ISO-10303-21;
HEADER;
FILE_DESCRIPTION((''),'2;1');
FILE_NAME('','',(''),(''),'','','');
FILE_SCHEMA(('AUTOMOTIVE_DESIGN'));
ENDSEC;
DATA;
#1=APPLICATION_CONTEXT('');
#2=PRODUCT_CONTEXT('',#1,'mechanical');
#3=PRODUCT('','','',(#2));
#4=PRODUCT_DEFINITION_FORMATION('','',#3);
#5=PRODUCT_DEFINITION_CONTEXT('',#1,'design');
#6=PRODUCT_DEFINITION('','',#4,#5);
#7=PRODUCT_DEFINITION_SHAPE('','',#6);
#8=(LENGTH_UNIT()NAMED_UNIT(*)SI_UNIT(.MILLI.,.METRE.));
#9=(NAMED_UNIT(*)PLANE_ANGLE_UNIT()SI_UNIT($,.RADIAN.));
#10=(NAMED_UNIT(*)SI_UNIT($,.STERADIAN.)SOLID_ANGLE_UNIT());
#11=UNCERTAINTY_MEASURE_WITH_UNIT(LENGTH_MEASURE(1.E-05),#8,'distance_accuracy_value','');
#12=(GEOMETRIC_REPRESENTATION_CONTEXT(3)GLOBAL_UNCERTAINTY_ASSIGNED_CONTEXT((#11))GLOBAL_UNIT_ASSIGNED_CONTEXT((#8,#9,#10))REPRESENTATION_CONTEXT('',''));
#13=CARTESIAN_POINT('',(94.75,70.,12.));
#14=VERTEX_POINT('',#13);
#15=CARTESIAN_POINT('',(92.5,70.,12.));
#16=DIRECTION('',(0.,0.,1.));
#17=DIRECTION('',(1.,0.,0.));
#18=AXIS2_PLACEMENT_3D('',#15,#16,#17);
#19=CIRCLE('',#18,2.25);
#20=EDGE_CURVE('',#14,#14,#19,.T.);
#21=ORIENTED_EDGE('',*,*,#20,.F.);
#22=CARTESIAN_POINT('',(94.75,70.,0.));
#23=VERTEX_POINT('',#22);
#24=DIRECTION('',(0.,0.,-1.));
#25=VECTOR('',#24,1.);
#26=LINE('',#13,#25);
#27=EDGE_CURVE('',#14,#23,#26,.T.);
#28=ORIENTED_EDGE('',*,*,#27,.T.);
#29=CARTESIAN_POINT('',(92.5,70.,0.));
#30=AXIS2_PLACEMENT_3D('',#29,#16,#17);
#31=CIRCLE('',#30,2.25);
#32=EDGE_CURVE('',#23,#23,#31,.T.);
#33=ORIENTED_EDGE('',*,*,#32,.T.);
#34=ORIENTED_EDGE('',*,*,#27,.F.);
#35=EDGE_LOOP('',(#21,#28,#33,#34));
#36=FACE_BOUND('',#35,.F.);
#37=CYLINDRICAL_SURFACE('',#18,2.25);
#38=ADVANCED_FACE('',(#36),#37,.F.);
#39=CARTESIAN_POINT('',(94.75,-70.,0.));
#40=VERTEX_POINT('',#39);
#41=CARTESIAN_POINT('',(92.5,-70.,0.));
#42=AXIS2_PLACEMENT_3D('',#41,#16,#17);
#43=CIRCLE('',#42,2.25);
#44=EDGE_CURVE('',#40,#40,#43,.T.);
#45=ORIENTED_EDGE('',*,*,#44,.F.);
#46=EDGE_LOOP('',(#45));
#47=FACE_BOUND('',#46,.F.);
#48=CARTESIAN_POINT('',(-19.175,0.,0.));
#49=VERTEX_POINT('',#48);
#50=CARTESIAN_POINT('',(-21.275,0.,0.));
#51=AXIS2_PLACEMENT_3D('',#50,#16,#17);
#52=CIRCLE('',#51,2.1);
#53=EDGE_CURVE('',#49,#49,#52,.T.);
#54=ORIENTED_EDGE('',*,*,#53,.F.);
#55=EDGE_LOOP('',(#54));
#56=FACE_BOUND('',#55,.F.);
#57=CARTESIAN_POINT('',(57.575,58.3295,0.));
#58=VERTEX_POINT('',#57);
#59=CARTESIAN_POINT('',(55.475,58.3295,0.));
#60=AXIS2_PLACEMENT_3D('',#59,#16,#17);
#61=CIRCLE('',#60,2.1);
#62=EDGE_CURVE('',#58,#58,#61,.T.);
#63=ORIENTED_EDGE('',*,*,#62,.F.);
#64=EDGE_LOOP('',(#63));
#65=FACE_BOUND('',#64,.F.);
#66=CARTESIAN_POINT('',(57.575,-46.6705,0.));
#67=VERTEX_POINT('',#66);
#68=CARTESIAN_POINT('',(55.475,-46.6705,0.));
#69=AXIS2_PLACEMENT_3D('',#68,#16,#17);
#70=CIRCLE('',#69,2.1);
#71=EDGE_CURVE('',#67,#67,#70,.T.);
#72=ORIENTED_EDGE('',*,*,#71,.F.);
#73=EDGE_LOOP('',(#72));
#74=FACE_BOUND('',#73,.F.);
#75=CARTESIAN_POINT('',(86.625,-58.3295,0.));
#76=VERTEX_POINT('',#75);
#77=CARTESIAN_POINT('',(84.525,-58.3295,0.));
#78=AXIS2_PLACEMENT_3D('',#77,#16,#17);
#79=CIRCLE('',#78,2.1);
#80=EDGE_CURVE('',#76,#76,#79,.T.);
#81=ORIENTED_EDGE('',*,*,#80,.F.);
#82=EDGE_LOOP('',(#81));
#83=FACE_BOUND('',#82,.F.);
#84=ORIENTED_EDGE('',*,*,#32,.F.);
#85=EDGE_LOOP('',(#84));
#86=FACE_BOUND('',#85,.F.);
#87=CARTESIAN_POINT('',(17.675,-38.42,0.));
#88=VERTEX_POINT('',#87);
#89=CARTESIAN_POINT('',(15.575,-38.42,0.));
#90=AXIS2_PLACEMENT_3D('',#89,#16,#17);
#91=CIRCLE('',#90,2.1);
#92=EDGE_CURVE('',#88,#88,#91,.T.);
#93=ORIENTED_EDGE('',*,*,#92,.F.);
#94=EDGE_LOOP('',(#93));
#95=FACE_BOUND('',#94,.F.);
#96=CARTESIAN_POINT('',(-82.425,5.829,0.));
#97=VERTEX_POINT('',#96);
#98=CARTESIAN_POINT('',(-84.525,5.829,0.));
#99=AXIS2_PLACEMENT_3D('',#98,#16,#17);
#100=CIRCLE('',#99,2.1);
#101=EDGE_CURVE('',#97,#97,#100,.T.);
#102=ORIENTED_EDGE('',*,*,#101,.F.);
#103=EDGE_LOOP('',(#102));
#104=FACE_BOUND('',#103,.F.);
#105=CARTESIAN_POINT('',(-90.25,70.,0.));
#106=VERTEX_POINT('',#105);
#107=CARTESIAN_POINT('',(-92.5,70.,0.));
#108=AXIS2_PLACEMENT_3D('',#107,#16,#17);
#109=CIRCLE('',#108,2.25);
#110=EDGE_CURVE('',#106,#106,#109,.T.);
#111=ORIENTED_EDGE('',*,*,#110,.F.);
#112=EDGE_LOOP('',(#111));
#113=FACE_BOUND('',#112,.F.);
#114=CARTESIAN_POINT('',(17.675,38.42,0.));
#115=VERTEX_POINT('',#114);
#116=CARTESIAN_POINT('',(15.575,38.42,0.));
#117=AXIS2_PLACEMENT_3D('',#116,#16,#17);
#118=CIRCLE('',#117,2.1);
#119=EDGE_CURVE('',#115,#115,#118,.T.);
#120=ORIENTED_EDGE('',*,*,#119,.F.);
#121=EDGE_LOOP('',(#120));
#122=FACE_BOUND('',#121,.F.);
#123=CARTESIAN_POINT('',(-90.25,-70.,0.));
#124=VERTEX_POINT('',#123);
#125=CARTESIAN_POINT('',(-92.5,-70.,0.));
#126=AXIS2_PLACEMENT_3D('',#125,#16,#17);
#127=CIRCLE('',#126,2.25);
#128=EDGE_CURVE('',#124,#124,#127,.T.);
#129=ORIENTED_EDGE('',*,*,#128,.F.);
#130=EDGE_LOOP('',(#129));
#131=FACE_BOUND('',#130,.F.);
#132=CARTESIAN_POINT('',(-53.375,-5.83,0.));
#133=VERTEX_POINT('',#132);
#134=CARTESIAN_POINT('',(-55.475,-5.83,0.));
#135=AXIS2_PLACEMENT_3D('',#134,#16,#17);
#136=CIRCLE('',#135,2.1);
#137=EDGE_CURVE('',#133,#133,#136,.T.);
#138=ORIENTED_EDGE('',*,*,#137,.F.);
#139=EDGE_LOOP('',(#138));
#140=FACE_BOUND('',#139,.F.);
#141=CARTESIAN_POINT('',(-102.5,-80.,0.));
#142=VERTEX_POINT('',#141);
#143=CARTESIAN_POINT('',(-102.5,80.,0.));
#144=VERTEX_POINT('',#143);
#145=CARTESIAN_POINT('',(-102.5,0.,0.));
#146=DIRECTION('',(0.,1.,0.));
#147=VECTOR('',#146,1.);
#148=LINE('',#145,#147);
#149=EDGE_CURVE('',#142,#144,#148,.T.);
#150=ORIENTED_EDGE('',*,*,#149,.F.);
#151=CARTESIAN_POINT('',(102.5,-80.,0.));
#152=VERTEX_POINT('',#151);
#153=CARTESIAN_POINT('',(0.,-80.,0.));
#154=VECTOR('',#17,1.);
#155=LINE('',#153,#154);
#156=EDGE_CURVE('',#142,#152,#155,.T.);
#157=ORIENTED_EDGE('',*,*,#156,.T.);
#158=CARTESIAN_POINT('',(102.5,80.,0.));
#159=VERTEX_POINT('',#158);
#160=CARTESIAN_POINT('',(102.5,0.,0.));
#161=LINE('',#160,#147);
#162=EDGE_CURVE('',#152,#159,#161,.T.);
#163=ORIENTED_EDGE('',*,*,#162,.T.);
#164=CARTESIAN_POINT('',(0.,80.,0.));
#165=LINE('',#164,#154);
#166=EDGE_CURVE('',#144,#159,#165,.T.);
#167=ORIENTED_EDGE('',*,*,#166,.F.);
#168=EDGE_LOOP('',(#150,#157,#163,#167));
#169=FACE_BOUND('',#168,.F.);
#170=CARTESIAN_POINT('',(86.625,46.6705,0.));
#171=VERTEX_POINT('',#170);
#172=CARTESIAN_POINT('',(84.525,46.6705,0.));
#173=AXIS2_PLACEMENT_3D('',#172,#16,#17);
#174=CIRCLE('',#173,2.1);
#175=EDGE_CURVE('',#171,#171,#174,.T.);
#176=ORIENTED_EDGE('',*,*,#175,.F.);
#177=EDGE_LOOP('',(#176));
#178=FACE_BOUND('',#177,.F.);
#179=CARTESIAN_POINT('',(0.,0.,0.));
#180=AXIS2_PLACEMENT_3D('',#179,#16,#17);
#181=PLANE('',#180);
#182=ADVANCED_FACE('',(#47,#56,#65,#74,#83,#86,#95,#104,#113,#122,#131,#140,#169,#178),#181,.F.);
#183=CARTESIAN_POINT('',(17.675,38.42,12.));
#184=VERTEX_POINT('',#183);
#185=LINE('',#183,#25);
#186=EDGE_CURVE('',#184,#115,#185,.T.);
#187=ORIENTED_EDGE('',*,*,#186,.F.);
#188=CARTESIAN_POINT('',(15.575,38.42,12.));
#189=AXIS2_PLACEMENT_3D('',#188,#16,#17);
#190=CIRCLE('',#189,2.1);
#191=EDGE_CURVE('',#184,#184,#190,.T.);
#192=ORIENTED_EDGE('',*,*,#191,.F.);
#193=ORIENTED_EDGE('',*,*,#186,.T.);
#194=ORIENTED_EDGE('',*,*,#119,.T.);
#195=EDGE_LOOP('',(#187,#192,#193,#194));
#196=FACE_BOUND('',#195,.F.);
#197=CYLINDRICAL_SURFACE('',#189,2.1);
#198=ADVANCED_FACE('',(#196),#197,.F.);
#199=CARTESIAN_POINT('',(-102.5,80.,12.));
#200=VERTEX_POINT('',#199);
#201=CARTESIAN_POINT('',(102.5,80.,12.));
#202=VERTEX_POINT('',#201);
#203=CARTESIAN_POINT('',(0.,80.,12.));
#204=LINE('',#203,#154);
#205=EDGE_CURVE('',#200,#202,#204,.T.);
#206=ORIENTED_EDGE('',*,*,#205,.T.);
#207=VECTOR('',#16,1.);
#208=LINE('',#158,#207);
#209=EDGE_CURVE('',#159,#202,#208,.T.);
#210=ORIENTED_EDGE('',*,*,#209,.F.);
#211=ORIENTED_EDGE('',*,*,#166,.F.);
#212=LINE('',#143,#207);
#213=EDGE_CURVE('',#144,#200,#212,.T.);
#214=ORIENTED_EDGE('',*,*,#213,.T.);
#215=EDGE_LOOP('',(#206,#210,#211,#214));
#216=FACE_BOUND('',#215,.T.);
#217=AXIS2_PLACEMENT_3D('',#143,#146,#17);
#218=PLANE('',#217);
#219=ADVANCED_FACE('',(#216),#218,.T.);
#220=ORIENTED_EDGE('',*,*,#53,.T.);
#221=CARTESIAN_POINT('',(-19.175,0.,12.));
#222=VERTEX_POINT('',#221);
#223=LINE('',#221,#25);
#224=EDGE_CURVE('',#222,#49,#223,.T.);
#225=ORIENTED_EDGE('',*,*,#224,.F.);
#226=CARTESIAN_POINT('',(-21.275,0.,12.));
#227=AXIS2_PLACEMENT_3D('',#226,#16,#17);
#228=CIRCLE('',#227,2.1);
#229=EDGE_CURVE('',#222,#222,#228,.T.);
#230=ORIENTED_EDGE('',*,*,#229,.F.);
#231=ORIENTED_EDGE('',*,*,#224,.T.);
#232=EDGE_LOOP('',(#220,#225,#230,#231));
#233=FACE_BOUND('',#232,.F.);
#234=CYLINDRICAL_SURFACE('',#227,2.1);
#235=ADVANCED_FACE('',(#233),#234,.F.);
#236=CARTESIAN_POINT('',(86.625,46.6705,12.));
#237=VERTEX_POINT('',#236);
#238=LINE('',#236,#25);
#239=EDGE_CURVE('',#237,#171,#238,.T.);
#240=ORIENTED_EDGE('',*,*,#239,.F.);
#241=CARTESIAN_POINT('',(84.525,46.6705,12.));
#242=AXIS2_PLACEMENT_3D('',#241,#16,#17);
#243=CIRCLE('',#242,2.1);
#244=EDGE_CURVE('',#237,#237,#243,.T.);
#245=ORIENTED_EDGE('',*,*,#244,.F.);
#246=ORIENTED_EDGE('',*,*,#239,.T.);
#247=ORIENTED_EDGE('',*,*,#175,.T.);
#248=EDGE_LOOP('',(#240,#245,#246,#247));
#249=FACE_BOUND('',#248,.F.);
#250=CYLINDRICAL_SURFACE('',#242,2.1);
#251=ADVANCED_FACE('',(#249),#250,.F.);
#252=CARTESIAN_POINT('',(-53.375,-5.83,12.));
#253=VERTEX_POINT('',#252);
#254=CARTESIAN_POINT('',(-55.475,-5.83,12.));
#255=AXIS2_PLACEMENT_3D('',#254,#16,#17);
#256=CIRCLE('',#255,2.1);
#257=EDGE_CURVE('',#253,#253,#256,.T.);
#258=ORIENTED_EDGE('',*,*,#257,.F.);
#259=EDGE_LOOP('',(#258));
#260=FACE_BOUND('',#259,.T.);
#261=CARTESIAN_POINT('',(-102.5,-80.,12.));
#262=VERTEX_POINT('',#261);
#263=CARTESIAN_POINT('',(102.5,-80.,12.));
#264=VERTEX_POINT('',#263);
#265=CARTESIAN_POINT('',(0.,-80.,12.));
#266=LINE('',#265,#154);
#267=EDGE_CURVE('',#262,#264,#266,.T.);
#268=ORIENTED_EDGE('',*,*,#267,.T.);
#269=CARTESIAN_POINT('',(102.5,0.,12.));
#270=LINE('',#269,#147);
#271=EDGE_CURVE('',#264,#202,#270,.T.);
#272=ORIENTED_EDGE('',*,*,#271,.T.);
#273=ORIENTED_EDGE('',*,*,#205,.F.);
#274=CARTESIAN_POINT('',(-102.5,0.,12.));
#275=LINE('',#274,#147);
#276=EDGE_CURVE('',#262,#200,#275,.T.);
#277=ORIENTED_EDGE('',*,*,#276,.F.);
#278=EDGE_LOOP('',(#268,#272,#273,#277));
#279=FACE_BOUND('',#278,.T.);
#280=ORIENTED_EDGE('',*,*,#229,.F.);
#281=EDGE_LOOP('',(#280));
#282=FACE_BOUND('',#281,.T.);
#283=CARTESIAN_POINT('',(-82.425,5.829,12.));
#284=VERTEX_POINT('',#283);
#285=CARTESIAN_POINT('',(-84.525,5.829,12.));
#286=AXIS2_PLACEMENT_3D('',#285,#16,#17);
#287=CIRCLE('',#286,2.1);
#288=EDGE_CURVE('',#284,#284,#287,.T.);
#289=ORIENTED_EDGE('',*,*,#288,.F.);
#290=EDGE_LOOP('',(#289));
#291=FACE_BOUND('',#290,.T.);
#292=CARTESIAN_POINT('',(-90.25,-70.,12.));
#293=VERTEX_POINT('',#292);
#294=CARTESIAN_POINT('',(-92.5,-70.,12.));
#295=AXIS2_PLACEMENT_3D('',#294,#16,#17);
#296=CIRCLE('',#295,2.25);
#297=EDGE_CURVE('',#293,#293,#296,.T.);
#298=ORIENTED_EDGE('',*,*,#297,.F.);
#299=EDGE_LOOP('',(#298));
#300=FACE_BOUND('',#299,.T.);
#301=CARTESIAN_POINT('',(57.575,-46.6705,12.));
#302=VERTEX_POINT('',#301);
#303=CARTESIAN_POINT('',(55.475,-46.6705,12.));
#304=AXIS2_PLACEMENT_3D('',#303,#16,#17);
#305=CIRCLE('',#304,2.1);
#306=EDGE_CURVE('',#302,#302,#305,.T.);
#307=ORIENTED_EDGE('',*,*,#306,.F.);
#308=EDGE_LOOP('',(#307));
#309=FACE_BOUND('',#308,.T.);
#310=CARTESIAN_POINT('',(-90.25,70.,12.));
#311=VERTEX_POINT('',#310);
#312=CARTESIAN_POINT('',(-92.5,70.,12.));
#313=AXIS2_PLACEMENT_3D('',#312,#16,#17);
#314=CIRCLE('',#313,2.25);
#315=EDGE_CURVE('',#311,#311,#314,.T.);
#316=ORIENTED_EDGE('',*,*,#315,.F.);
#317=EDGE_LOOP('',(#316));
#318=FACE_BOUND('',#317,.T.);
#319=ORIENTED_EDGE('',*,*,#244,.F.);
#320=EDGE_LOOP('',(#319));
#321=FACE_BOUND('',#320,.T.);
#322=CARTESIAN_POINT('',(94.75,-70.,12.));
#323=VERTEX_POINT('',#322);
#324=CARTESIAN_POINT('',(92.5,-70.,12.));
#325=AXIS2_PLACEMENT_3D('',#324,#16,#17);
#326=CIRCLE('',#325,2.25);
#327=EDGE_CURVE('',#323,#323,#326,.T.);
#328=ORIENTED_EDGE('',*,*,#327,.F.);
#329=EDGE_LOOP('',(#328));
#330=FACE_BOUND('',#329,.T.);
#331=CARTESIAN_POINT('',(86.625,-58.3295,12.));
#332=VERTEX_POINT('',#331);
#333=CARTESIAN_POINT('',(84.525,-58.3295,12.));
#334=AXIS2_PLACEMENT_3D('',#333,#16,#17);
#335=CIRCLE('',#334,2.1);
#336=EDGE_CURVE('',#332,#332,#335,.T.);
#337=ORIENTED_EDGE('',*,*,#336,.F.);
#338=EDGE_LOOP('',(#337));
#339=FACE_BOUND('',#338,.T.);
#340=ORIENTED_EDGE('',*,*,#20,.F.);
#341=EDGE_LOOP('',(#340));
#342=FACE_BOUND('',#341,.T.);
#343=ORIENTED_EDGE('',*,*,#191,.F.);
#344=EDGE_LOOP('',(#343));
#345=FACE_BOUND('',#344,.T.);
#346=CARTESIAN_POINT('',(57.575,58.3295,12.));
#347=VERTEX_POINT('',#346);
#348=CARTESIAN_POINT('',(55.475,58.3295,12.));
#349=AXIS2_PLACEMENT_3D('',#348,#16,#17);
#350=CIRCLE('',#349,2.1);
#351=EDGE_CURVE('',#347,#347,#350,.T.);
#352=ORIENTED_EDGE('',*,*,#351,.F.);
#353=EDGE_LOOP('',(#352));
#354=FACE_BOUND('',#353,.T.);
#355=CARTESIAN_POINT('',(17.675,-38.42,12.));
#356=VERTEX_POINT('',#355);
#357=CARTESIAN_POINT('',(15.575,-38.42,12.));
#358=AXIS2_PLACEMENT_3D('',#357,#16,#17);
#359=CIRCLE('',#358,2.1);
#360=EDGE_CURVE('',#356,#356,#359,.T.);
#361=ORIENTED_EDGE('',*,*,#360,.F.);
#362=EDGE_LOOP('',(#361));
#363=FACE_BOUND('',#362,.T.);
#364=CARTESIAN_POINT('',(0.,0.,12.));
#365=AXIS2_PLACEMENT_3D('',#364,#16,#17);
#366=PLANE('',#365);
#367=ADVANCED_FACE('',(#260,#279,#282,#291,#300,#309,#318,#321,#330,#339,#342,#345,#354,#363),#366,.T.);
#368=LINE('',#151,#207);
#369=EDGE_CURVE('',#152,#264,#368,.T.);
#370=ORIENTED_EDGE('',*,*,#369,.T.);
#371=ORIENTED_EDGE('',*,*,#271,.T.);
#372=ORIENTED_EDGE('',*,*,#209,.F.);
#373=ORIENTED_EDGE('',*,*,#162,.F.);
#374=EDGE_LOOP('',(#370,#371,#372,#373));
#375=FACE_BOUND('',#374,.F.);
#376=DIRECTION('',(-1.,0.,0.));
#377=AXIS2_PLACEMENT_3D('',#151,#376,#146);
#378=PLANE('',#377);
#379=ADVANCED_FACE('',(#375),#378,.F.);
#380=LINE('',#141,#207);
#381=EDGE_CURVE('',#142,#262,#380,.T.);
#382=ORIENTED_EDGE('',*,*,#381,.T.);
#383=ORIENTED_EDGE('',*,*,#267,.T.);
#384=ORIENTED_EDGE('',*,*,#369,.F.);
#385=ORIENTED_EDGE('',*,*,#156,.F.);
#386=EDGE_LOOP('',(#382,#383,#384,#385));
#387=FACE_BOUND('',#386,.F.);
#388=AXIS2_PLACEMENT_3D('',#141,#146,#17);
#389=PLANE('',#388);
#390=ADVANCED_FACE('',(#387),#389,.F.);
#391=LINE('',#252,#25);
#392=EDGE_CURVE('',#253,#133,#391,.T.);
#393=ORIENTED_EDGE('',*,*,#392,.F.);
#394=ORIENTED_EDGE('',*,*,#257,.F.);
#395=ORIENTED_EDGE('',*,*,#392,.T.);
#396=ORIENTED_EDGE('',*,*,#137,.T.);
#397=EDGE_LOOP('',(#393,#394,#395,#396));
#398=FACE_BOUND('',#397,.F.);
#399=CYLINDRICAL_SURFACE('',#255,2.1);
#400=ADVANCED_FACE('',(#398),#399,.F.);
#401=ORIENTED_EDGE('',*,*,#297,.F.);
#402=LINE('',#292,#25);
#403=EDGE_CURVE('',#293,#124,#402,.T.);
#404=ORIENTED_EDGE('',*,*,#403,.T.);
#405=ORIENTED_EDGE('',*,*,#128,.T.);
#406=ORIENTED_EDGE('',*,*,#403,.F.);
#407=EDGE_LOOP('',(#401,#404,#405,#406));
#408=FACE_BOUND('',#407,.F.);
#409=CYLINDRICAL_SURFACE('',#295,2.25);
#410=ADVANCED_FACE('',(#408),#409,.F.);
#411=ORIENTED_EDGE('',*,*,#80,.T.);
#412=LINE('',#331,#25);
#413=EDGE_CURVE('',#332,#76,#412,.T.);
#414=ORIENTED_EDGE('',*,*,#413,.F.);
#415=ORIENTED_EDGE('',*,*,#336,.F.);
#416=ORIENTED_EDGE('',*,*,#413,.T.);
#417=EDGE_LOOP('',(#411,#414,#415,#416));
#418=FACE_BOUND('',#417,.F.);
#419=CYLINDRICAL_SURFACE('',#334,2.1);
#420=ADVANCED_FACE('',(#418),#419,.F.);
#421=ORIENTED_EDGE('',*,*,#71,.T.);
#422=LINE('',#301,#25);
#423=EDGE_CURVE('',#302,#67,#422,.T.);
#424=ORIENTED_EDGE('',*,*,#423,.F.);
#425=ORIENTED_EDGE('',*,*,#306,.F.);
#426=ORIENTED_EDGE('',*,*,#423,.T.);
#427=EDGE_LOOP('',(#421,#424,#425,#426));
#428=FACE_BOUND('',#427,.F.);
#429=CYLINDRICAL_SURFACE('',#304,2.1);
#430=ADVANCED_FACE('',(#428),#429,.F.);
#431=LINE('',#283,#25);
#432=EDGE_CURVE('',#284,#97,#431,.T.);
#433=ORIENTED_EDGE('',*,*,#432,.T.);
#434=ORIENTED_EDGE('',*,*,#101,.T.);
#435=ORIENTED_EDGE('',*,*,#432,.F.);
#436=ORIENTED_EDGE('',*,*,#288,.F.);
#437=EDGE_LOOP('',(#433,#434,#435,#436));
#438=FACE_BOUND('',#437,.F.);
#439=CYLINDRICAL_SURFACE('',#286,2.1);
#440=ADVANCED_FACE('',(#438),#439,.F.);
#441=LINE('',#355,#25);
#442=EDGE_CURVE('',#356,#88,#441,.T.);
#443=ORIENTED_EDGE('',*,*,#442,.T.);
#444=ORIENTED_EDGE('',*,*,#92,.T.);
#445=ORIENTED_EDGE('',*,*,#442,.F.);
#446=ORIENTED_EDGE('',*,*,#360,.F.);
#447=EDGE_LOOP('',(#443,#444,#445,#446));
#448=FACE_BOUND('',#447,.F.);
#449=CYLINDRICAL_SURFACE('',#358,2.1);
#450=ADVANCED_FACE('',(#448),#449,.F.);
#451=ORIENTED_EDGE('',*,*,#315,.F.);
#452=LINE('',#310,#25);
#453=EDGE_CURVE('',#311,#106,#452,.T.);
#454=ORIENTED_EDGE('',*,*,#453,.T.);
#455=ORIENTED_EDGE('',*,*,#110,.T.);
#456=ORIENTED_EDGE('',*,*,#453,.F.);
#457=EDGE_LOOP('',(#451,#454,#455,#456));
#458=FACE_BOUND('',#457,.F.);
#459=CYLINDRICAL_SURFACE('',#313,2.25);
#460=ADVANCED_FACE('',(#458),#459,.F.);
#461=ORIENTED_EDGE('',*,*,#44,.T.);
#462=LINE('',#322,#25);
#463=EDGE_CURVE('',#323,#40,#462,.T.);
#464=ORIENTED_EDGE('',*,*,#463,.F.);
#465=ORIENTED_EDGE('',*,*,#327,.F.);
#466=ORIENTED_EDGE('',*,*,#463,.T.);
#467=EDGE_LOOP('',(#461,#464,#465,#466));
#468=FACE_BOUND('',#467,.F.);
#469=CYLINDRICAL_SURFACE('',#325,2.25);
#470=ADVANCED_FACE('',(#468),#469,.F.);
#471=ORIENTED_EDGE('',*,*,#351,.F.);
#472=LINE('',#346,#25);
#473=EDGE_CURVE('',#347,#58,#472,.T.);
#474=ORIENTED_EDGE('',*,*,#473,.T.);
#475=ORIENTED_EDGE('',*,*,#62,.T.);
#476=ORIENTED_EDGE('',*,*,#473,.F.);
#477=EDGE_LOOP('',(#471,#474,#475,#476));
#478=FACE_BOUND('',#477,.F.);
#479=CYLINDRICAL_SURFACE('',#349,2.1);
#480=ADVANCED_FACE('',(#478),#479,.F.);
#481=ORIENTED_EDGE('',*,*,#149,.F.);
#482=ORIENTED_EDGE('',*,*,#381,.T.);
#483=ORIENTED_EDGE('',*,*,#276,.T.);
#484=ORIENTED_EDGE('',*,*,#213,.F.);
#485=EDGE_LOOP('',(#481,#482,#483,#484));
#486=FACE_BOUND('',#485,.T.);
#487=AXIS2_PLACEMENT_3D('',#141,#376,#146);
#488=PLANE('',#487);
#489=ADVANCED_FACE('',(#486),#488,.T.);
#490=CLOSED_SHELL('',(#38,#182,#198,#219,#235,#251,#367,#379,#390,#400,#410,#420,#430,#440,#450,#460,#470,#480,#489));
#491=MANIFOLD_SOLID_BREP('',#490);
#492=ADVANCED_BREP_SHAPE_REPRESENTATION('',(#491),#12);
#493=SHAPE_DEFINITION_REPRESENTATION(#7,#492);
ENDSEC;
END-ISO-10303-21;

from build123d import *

# Parameters (mm, degrees)
SKETCH_W        = 205
SKETCH_H        = 160
PAD_DEPTH       = 12
SKETCH001_R     = 2.1
POCKET_DEPTH    = 12.001
SKETCH002_R     = 2.25
POCKET001_DEPTH = 12.001


with BuildPart() as part:
    # Sketch → Pad (new body)
    with BuildSketch(Plane.XY):
        Rectangle(SKETCH_W, SKETCH_H)
    extrude(amount=PAD_DEPTH)

    # Sketch001 → Pocket (cut, through all)
    with BuildSketch(Plane.XY.offset(12)):
        with Locations((-84.525, 5.829)):
            Circle(SKETCH001_R)
        with Locations((-55.475, -5.83)):
            Circle(SKETCH001_R)
        with Locations((-21.275, 0)):
            Circle(SKETCH001_R)
        with Locations((15.575, 38.42)):
            Circle(SKETCH001_R)
        with Locations((15.575, -38.42)):
            Circle(SKETCH001_R)
        with Locations((55.475, 58.3295)):
            Circle(SKETCH001_R)
        with Locations((84.525, 46.6705)):
            Circle(SKETCH001_R)
        with Locations((55.475, -46.6705)):
            Circle(SKETCH001_R)
        with Locations((84.525, -58.3295)):
            Circle(SKETCH001_R)
    extrude(amount=-POCKET_DEPTH, mode=Mode.SUBTRACT)

    # Sketch002 → Pocket001 (cut, through all)
    with BuildSketch(Plane.XY.offset(12)):
        with Locations((-92.5, 70)):
            Circle(SKETCH002_R)
        with Locations((92.5, 70)):
            Circle(SKETCH002_R)
        with Locations((-92.5, -70)):
            Circle(SKETCH002_R)
        with Locations((92.5, -70)):
            Circle(SKETCH002_R)
    extrude(amount=-POCKET001_DEPTH, mode=Mode.SUBTRACT)


solid = part.part
